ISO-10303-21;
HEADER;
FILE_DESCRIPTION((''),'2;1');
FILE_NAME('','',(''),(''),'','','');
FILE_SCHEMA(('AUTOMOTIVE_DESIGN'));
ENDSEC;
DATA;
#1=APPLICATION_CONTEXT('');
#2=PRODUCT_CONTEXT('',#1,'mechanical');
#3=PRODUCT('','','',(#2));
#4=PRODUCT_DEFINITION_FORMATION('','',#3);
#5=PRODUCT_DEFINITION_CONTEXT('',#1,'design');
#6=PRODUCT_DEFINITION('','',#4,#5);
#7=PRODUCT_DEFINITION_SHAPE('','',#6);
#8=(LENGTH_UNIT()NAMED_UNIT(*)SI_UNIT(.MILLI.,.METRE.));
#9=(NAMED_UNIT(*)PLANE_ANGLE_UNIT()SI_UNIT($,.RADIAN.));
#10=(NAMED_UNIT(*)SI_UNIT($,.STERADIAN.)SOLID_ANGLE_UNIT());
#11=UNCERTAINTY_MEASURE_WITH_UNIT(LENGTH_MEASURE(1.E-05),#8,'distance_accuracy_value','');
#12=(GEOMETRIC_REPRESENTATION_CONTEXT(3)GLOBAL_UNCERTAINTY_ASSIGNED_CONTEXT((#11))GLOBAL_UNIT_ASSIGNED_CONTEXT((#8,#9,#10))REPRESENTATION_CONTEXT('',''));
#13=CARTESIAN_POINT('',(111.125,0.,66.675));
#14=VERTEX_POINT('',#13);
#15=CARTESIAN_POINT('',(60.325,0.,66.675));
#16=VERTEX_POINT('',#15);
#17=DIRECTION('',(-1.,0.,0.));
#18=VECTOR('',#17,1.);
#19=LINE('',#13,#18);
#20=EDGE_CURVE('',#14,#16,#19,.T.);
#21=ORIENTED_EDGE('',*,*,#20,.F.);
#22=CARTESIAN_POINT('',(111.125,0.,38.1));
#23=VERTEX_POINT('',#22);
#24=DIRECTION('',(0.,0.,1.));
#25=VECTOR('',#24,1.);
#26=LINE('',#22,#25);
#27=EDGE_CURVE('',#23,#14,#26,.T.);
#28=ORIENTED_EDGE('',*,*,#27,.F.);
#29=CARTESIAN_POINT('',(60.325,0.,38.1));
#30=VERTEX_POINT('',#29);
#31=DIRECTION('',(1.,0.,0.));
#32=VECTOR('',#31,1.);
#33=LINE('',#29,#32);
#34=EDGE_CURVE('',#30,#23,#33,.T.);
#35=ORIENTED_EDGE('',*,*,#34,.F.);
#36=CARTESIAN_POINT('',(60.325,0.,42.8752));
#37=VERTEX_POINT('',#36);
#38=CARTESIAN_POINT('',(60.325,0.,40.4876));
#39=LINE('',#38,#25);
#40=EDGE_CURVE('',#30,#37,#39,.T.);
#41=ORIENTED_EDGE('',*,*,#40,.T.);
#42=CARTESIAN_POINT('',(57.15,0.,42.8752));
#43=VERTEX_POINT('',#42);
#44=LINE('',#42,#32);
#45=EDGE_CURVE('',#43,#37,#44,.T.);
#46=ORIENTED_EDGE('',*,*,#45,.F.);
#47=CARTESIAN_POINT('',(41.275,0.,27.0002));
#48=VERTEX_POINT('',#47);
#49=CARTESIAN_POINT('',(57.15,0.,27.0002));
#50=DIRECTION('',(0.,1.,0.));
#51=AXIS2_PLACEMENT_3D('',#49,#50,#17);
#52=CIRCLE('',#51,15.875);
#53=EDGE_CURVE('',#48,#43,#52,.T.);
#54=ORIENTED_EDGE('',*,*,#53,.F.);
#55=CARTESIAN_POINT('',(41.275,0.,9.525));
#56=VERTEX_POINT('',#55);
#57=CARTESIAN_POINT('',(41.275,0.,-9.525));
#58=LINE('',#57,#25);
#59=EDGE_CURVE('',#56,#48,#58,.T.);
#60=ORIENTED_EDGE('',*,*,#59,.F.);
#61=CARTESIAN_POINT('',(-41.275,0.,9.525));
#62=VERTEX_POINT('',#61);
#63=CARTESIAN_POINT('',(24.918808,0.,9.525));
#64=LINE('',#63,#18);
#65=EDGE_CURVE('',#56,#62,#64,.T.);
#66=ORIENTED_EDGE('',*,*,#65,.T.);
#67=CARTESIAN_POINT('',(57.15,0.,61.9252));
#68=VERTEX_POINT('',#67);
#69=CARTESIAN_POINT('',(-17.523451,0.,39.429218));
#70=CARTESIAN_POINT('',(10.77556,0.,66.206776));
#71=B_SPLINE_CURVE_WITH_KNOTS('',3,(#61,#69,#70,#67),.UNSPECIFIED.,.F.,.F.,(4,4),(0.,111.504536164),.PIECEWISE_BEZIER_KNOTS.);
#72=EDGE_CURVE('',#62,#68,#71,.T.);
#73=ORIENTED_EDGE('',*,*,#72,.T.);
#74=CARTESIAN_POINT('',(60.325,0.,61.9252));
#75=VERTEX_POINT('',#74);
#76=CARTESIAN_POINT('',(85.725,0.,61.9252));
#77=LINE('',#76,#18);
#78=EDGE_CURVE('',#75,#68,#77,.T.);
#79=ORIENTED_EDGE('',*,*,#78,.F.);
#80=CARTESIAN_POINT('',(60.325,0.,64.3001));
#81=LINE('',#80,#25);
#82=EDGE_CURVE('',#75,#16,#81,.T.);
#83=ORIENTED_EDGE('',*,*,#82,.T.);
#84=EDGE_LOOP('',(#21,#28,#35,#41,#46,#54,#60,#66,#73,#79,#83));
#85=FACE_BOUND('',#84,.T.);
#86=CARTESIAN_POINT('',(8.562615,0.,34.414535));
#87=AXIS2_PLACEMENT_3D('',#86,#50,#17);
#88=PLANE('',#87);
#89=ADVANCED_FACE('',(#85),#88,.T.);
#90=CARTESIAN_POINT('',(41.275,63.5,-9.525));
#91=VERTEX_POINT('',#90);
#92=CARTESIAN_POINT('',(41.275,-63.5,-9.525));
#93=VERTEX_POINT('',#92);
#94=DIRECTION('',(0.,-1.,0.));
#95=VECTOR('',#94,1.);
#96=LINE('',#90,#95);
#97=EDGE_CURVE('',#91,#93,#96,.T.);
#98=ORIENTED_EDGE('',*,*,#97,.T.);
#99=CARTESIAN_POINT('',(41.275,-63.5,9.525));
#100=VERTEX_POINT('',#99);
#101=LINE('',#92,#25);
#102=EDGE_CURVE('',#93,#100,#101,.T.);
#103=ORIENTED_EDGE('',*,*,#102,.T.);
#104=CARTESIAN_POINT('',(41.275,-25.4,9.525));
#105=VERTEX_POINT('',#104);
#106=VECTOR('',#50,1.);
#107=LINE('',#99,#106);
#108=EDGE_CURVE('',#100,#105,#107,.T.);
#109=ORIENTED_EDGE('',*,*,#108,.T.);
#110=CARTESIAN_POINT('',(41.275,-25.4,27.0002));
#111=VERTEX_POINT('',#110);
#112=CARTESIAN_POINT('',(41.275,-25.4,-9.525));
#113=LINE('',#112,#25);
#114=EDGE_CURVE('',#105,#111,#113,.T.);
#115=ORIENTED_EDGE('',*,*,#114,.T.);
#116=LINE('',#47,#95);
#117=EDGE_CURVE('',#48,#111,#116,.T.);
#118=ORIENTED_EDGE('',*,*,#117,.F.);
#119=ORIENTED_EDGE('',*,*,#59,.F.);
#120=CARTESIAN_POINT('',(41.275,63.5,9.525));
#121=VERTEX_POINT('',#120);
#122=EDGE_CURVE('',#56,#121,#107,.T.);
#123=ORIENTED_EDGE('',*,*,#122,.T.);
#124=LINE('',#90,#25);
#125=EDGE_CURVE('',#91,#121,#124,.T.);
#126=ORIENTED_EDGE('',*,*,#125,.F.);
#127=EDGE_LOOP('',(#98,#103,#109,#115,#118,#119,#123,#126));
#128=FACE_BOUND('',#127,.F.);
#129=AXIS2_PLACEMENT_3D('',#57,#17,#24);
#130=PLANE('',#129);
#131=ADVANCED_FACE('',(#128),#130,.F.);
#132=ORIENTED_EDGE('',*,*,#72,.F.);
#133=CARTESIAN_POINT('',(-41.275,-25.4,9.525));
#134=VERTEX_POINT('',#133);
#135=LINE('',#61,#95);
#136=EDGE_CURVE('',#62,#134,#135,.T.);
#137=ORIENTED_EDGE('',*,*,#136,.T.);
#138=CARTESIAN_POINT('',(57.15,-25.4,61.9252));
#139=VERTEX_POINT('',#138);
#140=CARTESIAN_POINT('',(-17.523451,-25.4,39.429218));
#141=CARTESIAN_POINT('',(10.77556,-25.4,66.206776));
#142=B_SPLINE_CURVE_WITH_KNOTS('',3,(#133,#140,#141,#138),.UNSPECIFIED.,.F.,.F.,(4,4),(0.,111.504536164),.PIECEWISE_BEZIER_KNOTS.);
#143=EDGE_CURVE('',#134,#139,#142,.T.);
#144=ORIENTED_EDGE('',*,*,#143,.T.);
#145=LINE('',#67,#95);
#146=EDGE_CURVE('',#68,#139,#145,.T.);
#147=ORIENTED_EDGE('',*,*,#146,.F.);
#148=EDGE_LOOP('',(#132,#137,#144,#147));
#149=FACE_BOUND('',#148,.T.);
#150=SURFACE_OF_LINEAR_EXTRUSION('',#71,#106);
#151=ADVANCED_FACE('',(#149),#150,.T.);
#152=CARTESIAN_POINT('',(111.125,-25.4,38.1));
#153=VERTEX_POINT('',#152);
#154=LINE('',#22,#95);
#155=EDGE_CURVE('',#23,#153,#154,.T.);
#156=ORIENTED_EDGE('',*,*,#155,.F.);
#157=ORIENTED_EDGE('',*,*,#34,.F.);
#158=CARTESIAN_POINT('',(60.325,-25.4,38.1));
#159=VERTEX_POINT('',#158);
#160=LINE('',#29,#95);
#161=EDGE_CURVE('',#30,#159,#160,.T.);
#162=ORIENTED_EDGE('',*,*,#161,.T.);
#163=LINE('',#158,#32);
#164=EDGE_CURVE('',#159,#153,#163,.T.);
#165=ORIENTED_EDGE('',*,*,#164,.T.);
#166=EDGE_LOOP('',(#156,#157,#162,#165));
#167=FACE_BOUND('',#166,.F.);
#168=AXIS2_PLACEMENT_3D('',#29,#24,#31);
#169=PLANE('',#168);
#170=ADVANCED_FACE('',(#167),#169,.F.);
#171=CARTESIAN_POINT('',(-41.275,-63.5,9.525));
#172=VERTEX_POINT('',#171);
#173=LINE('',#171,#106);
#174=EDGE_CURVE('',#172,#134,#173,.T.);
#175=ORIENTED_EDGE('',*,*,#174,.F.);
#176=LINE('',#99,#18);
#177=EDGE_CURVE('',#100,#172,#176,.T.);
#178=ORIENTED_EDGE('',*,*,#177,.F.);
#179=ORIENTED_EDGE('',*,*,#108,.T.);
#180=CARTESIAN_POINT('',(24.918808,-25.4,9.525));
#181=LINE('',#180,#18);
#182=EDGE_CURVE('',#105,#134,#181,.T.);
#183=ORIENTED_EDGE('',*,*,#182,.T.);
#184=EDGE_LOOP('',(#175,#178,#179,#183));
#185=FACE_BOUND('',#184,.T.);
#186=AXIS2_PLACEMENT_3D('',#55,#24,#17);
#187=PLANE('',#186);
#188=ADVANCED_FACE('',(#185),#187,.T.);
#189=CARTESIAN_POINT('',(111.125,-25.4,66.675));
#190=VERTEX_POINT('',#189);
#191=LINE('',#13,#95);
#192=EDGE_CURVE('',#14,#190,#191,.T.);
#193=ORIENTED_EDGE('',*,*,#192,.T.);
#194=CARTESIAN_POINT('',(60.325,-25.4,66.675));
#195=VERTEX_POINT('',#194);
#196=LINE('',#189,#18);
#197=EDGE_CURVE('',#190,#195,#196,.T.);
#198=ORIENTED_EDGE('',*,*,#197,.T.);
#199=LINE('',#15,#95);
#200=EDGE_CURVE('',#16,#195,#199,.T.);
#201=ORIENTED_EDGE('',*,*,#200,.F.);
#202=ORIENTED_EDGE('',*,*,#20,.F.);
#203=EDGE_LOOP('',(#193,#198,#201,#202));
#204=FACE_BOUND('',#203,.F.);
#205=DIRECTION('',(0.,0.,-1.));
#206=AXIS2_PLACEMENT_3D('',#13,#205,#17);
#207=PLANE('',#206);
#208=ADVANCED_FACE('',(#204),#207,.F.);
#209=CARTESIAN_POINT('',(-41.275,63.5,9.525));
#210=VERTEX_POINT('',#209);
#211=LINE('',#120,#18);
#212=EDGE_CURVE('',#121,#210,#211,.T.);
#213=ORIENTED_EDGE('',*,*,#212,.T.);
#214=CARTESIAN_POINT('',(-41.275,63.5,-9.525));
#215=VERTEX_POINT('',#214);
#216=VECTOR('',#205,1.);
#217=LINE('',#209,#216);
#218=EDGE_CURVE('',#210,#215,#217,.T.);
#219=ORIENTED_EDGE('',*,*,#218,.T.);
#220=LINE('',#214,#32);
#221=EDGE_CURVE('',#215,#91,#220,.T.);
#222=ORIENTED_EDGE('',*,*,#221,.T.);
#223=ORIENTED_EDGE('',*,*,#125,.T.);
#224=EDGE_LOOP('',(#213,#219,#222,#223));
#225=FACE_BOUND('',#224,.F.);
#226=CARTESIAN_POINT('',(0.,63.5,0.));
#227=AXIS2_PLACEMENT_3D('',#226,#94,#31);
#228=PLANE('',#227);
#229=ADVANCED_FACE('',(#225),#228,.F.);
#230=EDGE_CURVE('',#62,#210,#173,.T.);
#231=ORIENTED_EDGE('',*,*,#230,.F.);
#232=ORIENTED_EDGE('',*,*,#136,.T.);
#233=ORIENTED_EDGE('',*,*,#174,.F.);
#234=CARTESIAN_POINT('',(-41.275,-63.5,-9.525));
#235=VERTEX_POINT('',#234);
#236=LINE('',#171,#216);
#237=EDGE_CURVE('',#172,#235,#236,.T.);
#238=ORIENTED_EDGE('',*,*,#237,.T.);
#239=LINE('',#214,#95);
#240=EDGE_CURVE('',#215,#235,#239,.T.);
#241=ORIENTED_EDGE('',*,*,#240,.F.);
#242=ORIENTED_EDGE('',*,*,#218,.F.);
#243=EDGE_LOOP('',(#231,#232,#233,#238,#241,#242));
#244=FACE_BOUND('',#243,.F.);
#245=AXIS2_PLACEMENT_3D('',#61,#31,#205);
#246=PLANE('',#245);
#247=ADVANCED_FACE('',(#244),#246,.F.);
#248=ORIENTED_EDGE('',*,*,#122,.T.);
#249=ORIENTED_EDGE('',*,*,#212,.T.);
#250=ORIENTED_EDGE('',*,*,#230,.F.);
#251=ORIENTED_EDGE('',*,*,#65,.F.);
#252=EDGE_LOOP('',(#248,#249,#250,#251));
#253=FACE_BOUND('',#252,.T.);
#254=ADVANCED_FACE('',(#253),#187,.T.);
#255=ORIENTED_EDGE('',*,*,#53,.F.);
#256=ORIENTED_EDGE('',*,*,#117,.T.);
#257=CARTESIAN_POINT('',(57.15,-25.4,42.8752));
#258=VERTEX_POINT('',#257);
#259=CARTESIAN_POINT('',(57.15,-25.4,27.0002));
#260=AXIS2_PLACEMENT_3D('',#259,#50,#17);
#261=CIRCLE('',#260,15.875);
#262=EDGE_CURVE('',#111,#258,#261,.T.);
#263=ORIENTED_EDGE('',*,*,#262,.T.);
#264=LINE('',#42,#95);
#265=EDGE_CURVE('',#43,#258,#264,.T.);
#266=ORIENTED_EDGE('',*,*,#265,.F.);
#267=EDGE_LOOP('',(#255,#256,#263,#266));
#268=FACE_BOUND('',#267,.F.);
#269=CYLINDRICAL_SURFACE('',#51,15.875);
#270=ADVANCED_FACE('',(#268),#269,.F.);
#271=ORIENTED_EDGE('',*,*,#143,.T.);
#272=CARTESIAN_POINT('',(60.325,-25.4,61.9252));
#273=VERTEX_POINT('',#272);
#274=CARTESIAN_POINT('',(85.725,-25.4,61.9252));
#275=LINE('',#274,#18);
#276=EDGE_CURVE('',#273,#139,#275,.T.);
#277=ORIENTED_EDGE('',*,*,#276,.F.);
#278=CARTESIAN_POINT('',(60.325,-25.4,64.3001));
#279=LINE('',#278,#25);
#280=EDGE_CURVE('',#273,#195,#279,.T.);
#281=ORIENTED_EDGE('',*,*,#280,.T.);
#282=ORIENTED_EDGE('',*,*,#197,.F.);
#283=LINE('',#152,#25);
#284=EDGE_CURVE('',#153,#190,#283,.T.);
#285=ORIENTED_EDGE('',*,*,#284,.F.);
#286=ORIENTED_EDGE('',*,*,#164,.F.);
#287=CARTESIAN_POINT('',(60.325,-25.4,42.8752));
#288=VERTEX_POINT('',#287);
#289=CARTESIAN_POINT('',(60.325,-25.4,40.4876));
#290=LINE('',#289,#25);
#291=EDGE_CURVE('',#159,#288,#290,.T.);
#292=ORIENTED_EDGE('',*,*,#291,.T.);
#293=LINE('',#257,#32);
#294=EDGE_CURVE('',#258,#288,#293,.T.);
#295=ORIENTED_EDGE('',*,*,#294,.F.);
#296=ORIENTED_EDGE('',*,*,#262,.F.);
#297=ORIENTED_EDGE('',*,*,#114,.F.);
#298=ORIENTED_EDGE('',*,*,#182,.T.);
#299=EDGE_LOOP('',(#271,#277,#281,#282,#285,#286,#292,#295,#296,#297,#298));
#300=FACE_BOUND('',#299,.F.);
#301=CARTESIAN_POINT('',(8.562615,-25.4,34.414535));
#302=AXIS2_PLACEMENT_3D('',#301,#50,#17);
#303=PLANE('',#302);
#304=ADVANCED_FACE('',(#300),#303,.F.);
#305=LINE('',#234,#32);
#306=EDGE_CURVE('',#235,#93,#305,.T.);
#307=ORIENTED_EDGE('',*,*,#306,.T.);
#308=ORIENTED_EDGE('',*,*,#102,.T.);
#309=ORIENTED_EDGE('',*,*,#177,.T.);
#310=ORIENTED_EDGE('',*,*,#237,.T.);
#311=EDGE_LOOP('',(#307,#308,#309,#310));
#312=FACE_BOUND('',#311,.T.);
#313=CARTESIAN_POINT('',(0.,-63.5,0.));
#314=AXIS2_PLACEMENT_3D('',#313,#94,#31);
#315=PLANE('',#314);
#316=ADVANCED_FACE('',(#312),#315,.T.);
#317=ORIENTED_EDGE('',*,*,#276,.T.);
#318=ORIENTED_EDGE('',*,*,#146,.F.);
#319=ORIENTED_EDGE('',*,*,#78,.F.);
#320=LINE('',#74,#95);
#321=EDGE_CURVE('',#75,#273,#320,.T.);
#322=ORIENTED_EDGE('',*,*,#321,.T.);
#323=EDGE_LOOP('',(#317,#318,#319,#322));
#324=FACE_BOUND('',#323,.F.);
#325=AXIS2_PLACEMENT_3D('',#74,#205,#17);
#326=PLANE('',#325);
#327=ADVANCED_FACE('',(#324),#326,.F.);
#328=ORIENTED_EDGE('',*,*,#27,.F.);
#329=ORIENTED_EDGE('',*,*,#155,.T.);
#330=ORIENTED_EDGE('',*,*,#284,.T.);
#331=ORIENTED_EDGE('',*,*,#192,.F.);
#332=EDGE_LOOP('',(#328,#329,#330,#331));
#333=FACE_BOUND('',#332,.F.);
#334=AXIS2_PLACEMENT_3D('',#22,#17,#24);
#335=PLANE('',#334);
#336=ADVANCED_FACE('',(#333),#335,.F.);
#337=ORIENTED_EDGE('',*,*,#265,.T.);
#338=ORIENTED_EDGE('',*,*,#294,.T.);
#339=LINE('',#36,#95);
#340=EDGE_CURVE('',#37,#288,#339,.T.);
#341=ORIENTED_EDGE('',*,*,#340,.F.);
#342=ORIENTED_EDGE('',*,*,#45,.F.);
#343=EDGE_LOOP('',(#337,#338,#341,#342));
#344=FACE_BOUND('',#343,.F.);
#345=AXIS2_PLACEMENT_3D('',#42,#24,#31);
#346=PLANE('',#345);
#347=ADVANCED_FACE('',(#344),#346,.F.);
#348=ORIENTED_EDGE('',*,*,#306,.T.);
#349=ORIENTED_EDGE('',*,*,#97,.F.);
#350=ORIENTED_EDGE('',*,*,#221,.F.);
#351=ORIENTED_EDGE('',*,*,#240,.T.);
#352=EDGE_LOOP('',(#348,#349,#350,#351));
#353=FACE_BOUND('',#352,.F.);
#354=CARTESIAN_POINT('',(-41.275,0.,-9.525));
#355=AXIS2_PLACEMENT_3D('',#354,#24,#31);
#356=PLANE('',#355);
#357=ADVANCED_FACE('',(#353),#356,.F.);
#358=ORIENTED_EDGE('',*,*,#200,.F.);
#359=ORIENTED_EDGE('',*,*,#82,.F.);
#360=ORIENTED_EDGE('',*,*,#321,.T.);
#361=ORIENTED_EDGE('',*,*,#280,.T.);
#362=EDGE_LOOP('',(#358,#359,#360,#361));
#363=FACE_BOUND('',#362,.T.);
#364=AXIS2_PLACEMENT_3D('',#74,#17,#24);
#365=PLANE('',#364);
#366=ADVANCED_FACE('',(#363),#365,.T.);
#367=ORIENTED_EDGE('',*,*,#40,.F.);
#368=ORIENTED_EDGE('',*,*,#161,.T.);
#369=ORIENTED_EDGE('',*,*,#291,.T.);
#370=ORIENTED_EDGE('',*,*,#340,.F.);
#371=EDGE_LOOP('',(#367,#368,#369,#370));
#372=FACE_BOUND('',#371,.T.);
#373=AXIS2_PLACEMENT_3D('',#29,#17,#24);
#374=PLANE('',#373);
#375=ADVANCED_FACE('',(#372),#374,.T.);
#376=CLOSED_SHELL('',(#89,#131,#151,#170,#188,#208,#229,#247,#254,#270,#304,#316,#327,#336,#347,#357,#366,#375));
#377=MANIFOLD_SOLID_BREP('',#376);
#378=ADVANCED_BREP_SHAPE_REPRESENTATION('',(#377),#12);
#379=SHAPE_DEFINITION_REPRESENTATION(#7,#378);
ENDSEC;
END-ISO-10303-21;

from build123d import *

# Parameters (mm, degrees)
F1_DEPTH = 63.5
F0_W     = 25.4
F0_H     = 19.05
F0_H_2   = 4.7498
F0_H_3   = 4.7752
F2_DEPTH = 25.4


with BuildPart() as f1:
    # F0 (on Front) → F1 (new body, symmetric)
    with BuildSketch(Plane.XZ):
        Polygon((22.225, 9.525), (-41.275, 9.525), (-41.275, -9.525), (41.275, -9.525), (41.275, 9.525), align=None)
    extrude(amount=F1_DEPTH, both=True)

    # F0 (on Front) → F2 (join)
    with BuildSketch(Plane.XZ):
        with BuildLine():
            add(Edge.make_bspline(
                [(-41.275, 9.525), (-17.5234507769, 39.429217577), (10.7755595818, 66.2067756057), (57.15, 61.9252)],
                knots=[0, 0, 0, 0, 111.5045361635, 111.5045361635, 111.5045361635, 111.5045361635], degree=3))
            Line((-41.275, 9.525), (22.225, 9.525))
            Line((22.225, 9.525), (22.225, 27.0002))
            ThreePointArc((22.225, 27.0002), (32.4542956671, 51.6959043329), (57.15, 61.9252))
        make_face()
        Polygon((22.225, 9.525), (-41.275, 9.525), (-41.275, -9.525), (41.275, -9.525), (41.275, 9.525), align=None)
        with BuildLine():
            Line((22.225, 27.0002), (22.225, 9.525))
            Line((22.225, 9.525), (41.275, 9.525))
            Line((41.275, 9.525), (41.275, 27.0002))
            ThreePointArc((41.275, 27.0002), (45.9246798487, 38.2255201513), (57.15, 42.8752))
            Line((57.15, 42.8752), (60.325, 42.8752))
            Line((60.325, 42.8752), (60.325, 61.9252))
            Line((60.325, 61.9252), (57.15, 61.9252))
            ThreePointArc((57.15, 61.9252), (32.4542956671, 51.6959043329), (22.225, 27.0002))
        make_face()
        with Locations((73.025, 52.4002)):
            Rectangle(F0_W, F0_H)
        with Locations((73.025, 64.3001)):
            Rectangle(F0_W, F0_H_2)
        with Locations((73.025, 40.4876)):
            Rectangle(F0_W, F0_H_3)
        Polygon((85.725, 66.675), (85.725, 61.9252), (85.725, 42.8752), (85.725, 38.1), (111.125, 38.1), (111.125, 66.675), align=None)
    extrude(amount=F2_DEPTH)


solid = f1.part
